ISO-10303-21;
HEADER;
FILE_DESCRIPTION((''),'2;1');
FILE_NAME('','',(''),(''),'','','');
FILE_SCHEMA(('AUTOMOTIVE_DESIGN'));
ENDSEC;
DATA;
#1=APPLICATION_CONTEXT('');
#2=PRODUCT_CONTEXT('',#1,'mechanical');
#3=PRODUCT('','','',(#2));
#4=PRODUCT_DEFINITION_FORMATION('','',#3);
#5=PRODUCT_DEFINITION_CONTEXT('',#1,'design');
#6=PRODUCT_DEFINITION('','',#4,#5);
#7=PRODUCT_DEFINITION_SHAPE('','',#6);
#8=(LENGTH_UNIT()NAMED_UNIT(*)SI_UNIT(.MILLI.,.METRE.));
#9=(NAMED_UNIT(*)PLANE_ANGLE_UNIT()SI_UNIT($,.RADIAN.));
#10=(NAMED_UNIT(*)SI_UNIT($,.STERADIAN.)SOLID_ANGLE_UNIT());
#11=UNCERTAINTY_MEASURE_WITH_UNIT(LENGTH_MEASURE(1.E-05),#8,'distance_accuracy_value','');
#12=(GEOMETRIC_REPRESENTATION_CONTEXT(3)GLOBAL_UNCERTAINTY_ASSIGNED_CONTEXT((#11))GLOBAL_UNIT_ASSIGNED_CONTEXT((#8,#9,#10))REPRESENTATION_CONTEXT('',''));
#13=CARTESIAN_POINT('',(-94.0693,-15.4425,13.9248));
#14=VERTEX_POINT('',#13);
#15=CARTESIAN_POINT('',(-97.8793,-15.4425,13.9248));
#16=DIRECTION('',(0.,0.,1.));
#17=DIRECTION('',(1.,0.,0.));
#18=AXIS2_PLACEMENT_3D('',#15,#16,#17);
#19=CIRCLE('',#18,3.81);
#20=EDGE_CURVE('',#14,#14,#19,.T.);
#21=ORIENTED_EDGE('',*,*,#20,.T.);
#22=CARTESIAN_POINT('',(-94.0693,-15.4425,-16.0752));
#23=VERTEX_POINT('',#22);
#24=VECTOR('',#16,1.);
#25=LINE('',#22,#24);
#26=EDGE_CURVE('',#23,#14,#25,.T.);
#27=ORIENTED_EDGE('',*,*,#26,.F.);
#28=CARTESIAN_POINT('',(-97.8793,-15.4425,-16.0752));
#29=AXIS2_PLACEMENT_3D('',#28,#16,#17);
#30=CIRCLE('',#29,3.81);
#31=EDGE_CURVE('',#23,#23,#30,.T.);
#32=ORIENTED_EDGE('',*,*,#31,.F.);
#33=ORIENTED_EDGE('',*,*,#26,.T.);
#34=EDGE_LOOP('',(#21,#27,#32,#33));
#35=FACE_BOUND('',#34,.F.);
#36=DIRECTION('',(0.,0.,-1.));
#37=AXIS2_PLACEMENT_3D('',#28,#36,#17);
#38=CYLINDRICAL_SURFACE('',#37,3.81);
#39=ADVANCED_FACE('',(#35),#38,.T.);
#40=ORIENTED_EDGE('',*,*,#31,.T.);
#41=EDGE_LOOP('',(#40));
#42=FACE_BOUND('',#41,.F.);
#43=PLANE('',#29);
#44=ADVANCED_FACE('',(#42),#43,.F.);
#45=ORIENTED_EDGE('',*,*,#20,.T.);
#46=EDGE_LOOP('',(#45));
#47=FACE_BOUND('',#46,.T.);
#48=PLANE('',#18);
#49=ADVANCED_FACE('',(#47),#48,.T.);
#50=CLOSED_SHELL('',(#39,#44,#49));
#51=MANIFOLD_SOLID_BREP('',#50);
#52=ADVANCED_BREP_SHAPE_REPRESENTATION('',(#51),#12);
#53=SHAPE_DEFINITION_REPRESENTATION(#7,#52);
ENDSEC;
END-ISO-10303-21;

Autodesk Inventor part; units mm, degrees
ref_plane "YZ Plane" through (0, 0, 0) normal (1, 0, 0) x (0, 1, 0)
ref_plane "XZ Plane" through (0, 0, 0) normal (0, 1, 0) x (-1, 0, 0)
ref_plane "XY Plane" through (0, 0, 0) normal (0, 0, 1) x (1, 0, 0)
ref_plane "Work Plane1" through (-97.8793, -15.4425, -16.0752) normal (0, 0, 1) x (1, 0, 0)
sketch "Sketch1" plane through (-97.8793, -15.4425, -16.0752) normal (0, 0, 1) x (1, 0, 0)
  circle A0 centre (0, 0) radius 3.81
  point P0 (97.8793, 15.4425)
  dimension "d0" = 7.62
extrude "Extrusion1" add sketch "Sketch1" along normal blind 30
